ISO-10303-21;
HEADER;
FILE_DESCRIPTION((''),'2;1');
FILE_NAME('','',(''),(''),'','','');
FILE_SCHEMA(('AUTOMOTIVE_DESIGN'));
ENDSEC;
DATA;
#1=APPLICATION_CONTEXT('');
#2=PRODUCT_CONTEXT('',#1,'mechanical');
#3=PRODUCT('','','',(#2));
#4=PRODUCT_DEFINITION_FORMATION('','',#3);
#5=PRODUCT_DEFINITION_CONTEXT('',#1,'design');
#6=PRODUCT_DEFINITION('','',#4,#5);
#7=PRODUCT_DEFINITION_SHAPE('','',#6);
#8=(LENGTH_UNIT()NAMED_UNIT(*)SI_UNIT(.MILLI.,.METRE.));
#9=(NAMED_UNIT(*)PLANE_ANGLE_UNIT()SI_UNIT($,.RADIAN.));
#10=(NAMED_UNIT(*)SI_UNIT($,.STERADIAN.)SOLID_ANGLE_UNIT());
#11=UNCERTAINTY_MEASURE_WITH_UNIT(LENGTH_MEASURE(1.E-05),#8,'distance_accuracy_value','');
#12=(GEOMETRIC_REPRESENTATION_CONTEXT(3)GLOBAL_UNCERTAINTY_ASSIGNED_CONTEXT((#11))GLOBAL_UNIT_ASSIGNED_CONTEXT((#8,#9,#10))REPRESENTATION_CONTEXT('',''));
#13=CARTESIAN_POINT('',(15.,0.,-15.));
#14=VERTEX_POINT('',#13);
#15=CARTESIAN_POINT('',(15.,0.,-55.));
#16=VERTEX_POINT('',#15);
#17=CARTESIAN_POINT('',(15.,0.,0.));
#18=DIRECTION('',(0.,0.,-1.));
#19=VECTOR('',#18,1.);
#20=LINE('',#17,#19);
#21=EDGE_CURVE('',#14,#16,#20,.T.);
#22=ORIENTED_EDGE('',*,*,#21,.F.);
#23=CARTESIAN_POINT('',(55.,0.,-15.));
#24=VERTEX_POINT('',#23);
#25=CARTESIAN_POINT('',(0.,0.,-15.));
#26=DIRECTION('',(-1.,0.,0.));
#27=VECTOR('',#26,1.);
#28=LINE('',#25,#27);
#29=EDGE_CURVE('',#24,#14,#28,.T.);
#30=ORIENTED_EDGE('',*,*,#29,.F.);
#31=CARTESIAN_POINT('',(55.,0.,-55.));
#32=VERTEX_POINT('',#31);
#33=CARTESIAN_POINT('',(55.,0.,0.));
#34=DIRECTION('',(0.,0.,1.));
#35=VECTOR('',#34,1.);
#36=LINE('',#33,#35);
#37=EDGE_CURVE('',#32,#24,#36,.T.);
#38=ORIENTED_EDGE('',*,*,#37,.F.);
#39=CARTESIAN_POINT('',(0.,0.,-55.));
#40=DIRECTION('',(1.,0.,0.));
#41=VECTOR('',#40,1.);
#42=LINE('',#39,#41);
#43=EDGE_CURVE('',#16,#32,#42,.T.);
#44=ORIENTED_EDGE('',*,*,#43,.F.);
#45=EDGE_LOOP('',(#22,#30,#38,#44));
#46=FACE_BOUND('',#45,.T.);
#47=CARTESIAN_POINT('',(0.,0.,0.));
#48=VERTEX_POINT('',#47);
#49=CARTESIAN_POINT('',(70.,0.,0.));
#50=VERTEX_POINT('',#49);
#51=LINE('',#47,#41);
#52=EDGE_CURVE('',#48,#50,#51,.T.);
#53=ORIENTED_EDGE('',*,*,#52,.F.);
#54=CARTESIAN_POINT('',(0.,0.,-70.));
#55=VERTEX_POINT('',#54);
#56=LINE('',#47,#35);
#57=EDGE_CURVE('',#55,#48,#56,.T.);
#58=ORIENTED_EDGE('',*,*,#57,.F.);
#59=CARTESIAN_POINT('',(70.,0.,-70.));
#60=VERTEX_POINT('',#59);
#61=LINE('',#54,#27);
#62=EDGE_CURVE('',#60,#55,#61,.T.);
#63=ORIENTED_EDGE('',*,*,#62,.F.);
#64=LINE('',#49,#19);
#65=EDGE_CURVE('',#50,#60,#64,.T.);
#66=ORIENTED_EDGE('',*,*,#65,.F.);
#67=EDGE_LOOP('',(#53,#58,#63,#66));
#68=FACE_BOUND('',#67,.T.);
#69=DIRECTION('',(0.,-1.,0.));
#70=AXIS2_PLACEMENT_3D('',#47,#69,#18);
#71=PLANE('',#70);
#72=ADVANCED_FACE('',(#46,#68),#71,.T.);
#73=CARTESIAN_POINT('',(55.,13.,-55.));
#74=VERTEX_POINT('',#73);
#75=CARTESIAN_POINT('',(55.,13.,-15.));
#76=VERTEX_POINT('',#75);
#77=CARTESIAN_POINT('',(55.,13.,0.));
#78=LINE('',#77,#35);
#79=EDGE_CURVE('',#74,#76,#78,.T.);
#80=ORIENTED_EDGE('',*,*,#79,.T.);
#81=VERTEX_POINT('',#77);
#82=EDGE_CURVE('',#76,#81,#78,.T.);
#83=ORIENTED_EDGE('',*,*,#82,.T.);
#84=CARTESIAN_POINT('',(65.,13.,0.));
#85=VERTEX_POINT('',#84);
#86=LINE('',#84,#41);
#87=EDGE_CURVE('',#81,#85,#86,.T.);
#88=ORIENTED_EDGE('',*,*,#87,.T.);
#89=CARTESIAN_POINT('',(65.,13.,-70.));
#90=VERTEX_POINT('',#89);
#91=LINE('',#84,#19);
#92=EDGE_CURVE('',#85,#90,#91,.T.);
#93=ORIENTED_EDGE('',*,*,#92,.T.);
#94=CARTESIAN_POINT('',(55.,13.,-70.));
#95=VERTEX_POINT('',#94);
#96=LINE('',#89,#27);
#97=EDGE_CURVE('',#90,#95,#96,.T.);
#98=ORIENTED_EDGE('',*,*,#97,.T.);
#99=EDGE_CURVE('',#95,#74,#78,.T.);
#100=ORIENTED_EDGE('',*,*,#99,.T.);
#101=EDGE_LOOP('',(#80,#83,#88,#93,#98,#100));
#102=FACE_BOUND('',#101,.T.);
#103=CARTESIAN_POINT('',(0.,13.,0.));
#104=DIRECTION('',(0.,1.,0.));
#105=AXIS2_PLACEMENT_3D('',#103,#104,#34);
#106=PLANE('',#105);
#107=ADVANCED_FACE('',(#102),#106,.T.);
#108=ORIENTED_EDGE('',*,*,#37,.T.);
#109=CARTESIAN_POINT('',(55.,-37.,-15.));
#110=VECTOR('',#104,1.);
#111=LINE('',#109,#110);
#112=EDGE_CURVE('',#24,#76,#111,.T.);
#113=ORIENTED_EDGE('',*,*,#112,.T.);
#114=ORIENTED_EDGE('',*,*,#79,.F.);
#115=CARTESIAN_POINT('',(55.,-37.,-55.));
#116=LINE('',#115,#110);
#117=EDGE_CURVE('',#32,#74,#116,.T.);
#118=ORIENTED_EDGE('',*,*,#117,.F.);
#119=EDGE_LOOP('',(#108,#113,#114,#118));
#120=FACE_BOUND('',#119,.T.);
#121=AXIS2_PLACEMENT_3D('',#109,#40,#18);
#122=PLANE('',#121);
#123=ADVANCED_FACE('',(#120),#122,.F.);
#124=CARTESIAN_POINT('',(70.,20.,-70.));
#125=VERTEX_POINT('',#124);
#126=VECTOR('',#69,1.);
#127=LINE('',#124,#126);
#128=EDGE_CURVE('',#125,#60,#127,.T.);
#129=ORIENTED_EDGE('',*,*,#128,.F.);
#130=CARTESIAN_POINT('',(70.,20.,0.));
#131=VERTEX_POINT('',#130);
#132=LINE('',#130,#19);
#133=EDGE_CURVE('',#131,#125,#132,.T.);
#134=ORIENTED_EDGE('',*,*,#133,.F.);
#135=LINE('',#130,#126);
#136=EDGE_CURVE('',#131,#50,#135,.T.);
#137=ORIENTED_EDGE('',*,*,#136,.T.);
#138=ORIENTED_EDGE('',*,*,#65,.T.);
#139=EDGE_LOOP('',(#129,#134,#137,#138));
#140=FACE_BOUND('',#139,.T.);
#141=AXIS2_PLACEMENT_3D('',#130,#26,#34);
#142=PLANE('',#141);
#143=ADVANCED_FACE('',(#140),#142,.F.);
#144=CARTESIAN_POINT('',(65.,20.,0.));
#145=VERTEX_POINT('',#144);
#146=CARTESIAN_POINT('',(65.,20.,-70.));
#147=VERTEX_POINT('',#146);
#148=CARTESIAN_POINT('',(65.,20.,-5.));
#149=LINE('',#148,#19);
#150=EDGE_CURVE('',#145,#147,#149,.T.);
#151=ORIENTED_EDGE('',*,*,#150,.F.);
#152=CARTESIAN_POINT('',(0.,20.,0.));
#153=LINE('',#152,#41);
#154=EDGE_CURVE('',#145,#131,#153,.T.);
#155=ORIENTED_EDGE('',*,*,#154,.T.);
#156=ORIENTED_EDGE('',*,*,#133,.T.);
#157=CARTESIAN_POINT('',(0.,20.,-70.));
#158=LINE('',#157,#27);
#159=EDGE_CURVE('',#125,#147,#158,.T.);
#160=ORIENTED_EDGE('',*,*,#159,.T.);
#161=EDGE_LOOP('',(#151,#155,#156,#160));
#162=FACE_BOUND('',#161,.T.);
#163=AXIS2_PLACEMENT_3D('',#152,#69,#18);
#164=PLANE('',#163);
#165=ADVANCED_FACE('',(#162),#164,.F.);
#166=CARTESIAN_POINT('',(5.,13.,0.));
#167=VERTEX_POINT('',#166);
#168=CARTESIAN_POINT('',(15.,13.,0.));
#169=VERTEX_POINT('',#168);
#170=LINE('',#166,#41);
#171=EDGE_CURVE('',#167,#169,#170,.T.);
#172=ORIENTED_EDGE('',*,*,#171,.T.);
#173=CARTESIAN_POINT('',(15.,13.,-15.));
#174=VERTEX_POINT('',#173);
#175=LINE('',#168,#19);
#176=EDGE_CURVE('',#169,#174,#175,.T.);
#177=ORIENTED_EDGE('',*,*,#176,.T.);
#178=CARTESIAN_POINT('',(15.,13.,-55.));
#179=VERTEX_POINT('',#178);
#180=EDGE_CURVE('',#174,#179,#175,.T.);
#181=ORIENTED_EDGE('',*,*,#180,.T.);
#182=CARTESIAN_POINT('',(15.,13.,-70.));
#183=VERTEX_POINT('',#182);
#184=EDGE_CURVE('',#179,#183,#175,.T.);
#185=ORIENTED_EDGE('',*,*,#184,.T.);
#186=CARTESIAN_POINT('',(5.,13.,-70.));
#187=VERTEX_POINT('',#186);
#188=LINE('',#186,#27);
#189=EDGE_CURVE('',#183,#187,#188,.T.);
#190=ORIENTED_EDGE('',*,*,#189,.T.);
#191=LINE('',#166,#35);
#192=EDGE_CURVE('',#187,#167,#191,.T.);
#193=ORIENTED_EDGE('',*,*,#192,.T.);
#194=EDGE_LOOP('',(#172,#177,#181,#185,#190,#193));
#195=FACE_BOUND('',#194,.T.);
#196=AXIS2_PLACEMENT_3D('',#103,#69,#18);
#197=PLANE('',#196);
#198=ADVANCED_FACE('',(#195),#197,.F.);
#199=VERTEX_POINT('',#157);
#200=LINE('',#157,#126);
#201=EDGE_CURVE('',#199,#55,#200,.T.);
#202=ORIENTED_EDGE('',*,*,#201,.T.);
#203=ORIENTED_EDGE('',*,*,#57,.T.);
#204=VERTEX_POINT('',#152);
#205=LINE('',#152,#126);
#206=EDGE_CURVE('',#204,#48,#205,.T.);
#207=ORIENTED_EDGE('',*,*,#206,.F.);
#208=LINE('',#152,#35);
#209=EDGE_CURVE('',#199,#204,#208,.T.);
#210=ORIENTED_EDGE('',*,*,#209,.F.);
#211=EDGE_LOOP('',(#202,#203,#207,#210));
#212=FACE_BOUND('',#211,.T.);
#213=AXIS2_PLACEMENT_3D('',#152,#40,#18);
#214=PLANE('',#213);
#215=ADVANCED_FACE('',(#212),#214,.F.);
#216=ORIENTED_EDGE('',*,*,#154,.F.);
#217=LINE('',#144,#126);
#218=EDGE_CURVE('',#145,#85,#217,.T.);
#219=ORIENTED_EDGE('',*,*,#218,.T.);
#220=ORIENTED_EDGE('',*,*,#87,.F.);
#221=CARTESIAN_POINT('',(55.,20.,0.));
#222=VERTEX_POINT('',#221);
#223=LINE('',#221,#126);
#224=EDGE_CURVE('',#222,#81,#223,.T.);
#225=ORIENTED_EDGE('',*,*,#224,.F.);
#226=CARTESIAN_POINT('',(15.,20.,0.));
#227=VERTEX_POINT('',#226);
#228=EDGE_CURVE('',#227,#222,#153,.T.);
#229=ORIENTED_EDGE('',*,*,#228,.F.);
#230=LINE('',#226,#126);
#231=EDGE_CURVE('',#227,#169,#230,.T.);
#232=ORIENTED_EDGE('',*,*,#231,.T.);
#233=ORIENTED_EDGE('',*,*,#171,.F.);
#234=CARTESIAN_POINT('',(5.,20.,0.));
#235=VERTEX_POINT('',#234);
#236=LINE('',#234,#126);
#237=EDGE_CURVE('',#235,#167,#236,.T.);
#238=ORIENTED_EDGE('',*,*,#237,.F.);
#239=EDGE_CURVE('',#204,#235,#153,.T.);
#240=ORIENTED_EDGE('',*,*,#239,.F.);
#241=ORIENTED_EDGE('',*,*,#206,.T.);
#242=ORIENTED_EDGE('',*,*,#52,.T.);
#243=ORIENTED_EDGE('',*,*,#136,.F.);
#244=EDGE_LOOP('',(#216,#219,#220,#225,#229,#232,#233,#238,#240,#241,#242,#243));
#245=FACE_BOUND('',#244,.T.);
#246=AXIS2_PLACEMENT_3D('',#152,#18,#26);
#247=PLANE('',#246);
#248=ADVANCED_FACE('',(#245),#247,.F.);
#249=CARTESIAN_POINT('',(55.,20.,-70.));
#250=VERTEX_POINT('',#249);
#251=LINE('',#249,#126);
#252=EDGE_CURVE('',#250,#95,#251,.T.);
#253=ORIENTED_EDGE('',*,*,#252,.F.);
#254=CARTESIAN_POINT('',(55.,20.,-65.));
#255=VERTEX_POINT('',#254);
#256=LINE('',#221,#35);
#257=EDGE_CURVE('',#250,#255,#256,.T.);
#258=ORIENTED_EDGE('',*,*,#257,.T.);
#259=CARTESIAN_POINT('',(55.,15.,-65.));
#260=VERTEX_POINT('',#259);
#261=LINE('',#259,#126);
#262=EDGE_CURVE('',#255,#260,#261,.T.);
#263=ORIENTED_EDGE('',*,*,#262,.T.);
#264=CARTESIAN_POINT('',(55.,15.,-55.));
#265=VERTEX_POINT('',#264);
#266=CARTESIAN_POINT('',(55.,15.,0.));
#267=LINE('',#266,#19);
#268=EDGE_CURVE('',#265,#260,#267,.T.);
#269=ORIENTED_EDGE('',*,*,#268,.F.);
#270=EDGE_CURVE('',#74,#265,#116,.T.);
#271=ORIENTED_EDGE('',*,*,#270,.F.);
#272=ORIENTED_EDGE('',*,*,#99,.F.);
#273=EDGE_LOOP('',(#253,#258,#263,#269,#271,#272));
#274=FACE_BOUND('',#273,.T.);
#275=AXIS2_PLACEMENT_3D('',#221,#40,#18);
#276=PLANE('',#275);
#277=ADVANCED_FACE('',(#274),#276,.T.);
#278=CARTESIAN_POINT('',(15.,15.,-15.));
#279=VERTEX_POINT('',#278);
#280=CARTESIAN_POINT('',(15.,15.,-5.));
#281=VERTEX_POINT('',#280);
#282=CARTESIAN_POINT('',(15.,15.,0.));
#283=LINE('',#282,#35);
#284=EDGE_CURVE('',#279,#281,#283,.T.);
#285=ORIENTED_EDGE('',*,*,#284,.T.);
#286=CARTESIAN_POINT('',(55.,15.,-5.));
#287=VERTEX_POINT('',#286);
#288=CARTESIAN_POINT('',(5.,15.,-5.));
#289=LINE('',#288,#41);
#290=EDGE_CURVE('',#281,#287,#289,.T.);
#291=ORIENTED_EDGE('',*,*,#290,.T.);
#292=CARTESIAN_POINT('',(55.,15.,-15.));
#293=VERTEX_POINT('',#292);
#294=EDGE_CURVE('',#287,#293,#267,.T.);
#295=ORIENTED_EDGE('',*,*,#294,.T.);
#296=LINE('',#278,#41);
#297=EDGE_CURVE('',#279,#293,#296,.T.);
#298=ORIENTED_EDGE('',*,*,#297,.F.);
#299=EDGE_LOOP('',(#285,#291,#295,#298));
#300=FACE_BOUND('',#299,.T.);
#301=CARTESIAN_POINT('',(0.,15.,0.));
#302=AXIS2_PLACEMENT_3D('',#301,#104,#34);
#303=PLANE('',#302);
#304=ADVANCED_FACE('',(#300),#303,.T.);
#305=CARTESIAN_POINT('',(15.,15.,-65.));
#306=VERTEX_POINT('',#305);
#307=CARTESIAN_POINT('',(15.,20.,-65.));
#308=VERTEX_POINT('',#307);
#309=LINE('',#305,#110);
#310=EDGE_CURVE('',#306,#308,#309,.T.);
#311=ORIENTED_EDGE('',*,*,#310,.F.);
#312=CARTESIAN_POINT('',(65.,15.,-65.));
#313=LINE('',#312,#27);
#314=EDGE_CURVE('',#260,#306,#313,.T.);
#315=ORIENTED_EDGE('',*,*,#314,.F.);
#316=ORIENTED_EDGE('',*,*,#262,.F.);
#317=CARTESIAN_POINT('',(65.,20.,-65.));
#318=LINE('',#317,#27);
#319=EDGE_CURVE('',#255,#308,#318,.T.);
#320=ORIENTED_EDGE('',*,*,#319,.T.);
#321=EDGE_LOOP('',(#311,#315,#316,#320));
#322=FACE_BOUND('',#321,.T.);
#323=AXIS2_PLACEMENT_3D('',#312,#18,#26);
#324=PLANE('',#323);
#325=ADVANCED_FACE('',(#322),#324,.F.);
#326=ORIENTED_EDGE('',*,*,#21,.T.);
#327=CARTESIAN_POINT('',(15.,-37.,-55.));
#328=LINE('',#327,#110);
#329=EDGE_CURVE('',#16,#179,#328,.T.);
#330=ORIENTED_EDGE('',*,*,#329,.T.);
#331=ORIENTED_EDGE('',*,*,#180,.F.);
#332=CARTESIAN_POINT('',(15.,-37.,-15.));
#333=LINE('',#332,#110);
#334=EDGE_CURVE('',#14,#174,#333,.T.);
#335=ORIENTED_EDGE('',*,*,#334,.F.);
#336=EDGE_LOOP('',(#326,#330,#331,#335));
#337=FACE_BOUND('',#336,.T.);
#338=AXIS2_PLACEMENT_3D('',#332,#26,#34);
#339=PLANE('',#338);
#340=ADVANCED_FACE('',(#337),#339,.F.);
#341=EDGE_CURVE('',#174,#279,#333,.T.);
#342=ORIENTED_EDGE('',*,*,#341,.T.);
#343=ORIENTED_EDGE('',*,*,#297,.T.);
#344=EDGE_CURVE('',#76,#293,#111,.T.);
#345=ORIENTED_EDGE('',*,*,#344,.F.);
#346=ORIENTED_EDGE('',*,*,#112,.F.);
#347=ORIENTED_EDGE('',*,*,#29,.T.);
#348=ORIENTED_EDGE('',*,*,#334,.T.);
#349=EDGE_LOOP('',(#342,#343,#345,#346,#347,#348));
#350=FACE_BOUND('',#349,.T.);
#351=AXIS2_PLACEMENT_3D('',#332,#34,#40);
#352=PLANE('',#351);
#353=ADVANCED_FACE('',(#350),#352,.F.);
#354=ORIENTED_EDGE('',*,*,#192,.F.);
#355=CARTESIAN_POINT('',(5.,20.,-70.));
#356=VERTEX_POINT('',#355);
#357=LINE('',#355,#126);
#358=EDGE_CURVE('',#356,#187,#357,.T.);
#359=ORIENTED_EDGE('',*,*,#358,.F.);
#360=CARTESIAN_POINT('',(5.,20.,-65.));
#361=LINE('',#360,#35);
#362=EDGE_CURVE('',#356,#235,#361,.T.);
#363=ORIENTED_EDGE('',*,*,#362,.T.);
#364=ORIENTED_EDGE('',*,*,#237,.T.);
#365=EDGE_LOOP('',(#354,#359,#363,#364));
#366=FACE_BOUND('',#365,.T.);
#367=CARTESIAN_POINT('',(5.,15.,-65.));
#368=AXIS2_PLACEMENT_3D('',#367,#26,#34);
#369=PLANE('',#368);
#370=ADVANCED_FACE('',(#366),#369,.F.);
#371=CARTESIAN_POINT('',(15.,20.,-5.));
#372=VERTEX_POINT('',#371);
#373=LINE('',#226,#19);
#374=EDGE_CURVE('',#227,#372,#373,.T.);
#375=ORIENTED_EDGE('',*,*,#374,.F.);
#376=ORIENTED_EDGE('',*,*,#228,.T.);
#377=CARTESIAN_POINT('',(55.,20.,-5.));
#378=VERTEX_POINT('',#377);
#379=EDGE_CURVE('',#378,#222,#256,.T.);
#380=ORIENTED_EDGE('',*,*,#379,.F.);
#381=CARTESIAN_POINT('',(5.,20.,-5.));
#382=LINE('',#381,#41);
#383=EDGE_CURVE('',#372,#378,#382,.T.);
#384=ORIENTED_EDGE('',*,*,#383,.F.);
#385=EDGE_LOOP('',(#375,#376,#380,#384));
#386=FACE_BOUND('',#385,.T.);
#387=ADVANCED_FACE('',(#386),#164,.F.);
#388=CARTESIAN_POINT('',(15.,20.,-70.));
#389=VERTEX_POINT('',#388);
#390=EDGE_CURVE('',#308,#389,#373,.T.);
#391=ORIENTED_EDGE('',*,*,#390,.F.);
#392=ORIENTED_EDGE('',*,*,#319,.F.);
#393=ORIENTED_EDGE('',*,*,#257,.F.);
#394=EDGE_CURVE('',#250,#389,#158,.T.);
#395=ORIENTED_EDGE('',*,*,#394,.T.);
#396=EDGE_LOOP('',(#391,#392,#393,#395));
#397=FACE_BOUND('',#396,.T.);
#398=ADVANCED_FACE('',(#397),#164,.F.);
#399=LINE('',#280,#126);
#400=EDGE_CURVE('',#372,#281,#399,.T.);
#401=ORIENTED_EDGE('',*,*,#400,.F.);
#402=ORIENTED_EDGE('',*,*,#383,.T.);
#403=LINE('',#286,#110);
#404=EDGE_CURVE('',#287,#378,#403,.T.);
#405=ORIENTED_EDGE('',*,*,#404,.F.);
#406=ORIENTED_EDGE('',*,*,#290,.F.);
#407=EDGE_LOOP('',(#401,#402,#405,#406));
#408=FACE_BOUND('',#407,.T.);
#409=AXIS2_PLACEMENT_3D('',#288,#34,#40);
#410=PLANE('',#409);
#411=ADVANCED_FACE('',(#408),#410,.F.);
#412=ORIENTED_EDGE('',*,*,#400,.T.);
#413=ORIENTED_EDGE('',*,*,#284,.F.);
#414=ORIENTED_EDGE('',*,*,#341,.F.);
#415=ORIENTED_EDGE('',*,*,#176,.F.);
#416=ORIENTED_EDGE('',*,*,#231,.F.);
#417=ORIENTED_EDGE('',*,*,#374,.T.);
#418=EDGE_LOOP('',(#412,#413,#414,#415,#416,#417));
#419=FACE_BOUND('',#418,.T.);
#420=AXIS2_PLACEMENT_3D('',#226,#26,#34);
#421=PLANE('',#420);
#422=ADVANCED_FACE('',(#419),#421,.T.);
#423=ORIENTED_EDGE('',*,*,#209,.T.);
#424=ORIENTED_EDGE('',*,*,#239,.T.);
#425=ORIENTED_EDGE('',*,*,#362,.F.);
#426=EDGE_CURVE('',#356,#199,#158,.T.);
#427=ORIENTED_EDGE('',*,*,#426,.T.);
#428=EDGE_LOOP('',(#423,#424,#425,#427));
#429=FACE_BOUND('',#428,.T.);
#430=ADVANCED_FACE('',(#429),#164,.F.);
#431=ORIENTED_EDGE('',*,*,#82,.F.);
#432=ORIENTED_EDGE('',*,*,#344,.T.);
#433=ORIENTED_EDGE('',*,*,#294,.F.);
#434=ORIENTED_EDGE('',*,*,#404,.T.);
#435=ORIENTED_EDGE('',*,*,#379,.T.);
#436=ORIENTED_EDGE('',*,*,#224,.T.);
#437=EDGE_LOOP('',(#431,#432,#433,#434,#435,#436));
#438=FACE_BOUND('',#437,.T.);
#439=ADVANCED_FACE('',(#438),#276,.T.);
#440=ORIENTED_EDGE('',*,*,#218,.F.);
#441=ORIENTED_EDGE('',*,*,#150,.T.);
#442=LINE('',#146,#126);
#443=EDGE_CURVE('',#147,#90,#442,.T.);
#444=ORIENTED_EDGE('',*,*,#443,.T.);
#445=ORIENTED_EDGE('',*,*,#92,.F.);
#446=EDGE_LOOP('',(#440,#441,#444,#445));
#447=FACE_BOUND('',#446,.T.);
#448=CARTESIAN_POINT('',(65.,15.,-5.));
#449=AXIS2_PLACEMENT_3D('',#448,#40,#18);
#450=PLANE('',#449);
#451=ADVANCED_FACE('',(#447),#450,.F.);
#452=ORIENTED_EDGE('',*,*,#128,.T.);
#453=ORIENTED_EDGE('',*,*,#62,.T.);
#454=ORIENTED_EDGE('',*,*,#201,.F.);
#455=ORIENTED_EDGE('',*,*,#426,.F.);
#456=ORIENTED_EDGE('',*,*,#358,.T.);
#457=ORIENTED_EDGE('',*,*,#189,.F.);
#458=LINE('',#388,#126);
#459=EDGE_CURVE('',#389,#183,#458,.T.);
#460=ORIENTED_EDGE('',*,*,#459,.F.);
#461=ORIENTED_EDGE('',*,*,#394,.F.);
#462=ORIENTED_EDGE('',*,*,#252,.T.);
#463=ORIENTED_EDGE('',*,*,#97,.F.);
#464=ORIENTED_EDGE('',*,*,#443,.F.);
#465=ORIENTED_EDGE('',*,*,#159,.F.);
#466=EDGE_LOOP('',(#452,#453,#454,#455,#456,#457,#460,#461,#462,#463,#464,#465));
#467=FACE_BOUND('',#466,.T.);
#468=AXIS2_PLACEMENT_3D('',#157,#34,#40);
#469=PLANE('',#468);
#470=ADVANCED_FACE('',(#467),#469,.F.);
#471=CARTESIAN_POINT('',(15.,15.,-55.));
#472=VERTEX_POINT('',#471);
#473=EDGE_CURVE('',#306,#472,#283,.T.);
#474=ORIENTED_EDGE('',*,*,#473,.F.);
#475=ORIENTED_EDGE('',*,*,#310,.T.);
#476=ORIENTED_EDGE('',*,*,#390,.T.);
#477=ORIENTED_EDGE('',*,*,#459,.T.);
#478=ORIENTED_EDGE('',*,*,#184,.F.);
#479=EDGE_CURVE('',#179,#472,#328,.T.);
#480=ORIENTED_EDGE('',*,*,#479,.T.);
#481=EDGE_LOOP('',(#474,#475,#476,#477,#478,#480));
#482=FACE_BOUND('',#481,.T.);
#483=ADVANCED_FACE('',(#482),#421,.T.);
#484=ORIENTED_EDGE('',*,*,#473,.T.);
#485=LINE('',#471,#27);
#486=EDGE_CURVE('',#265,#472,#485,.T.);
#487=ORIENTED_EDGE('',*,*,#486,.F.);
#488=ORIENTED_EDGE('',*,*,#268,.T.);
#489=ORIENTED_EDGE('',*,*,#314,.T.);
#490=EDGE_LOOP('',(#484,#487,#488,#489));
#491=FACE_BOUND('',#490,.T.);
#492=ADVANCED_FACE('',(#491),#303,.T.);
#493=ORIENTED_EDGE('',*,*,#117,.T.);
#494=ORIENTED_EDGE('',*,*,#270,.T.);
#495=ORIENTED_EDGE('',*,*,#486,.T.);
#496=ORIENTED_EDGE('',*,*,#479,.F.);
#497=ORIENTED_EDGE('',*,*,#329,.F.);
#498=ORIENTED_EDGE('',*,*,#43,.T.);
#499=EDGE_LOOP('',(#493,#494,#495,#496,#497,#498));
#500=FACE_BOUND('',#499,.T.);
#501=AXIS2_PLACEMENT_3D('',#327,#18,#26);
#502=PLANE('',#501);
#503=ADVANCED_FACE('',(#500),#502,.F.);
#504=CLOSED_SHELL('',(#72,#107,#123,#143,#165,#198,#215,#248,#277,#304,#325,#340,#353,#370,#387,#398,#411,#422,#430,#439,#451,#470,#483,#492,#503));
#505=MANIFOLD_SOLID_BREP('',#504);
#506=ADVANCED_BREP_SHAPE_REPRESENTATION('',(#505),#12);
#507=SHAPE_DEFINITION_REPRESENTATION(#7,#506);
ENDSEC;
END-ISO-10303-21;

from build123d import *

# Parameters (mm, degrees)
CROQUIS1_W                 = 70
CROQUIS1_H                 = 70
SALIENTE_EXTRUIR1_DEPTH    = 20
CROQUIS2_W                 = 60
CROQUIS2_H                 = 60
CORTAR_EXTRUIR1_DEPTH      = 5
CORTAR_EXTRUIR2_DEPTH      = 5
CORTAR_EXTRUIR2_DEPTH_BACK = 2
CROQUIS3_W                 = 10
CROQUIS3_H                 = 70
CROQUIS4_W                 = 40
CROQUIS4_H                 = 40
CORTAR_EXTRUIR3_DEPTH      = 52


with BuildPart() as part:
    # Croquis1 → Saliente-Extruir1 (new body)
    with BuildSketch(Plane(origin=(0, 0, 0), x_dir=(1, 0, 0), z_dir=(0, 1, 0))):
        with Locations((35, 35)):
            Rectangle(CROQUIS1_W, CROQUIS1_H)
    extrude(amount=SALIENTE_EXTRUIR1_DEPTH)

    # Croquis2 → Cortar-Extruir1 (cut)
    with BuildSketch(Plane(origin=(0, 20, 0), x_dir=(1, 0, 0), z_dir=(0, 1, 0))):
        with Locations((35, 35)):
            Rectangle(CROQUIS2_W, CROQUIS2_H)
    extrude(amount=-CORTAR_EXTRUIR1_DEPTH, mode=Mode.SUBTRACT)

    # Croquis3 → Cortar-Extruir2 (cut, two sides: drawn at the far end of the back side and taken through both)
    with BuildSketch(Plane(origin=(0, 15, 0), x_dir=(1, 0, 0), z_dir=(0, 1, 0)).offset(-CORTAR_EXTRUIR2_DEPTH_BACK)):
        with Locations((10, 35)):
            Rectangle(CROQUIS3_W, CROQUIS3_H)
        with Locations((60, 35)):
            Rectangle(CROQUIS3_W, CROQUIS3_H)
    extrude(amount=CORTAR_EXTRUIR2_DEPTH + CORTAR_EXTRUIR2_DEPTH_BACK, mode=Mode.SUBTRACT)

    # Croquis4 → Cortar-Extruir3 (cut)
    with BuildSketch(Plane(origin=(0, 15, 0), x_dir=(1, 0, 0), z_dir=(0, 1, 0))):
        with Locations((35, 35)):
            Rectangle(CROQUIS4_W, CROQUIS4_H)
    extrude(amount=-CORTAR_EXTRUIR3_DEPTH, mode=Mode.SUBTRACT)


solid = part.part
